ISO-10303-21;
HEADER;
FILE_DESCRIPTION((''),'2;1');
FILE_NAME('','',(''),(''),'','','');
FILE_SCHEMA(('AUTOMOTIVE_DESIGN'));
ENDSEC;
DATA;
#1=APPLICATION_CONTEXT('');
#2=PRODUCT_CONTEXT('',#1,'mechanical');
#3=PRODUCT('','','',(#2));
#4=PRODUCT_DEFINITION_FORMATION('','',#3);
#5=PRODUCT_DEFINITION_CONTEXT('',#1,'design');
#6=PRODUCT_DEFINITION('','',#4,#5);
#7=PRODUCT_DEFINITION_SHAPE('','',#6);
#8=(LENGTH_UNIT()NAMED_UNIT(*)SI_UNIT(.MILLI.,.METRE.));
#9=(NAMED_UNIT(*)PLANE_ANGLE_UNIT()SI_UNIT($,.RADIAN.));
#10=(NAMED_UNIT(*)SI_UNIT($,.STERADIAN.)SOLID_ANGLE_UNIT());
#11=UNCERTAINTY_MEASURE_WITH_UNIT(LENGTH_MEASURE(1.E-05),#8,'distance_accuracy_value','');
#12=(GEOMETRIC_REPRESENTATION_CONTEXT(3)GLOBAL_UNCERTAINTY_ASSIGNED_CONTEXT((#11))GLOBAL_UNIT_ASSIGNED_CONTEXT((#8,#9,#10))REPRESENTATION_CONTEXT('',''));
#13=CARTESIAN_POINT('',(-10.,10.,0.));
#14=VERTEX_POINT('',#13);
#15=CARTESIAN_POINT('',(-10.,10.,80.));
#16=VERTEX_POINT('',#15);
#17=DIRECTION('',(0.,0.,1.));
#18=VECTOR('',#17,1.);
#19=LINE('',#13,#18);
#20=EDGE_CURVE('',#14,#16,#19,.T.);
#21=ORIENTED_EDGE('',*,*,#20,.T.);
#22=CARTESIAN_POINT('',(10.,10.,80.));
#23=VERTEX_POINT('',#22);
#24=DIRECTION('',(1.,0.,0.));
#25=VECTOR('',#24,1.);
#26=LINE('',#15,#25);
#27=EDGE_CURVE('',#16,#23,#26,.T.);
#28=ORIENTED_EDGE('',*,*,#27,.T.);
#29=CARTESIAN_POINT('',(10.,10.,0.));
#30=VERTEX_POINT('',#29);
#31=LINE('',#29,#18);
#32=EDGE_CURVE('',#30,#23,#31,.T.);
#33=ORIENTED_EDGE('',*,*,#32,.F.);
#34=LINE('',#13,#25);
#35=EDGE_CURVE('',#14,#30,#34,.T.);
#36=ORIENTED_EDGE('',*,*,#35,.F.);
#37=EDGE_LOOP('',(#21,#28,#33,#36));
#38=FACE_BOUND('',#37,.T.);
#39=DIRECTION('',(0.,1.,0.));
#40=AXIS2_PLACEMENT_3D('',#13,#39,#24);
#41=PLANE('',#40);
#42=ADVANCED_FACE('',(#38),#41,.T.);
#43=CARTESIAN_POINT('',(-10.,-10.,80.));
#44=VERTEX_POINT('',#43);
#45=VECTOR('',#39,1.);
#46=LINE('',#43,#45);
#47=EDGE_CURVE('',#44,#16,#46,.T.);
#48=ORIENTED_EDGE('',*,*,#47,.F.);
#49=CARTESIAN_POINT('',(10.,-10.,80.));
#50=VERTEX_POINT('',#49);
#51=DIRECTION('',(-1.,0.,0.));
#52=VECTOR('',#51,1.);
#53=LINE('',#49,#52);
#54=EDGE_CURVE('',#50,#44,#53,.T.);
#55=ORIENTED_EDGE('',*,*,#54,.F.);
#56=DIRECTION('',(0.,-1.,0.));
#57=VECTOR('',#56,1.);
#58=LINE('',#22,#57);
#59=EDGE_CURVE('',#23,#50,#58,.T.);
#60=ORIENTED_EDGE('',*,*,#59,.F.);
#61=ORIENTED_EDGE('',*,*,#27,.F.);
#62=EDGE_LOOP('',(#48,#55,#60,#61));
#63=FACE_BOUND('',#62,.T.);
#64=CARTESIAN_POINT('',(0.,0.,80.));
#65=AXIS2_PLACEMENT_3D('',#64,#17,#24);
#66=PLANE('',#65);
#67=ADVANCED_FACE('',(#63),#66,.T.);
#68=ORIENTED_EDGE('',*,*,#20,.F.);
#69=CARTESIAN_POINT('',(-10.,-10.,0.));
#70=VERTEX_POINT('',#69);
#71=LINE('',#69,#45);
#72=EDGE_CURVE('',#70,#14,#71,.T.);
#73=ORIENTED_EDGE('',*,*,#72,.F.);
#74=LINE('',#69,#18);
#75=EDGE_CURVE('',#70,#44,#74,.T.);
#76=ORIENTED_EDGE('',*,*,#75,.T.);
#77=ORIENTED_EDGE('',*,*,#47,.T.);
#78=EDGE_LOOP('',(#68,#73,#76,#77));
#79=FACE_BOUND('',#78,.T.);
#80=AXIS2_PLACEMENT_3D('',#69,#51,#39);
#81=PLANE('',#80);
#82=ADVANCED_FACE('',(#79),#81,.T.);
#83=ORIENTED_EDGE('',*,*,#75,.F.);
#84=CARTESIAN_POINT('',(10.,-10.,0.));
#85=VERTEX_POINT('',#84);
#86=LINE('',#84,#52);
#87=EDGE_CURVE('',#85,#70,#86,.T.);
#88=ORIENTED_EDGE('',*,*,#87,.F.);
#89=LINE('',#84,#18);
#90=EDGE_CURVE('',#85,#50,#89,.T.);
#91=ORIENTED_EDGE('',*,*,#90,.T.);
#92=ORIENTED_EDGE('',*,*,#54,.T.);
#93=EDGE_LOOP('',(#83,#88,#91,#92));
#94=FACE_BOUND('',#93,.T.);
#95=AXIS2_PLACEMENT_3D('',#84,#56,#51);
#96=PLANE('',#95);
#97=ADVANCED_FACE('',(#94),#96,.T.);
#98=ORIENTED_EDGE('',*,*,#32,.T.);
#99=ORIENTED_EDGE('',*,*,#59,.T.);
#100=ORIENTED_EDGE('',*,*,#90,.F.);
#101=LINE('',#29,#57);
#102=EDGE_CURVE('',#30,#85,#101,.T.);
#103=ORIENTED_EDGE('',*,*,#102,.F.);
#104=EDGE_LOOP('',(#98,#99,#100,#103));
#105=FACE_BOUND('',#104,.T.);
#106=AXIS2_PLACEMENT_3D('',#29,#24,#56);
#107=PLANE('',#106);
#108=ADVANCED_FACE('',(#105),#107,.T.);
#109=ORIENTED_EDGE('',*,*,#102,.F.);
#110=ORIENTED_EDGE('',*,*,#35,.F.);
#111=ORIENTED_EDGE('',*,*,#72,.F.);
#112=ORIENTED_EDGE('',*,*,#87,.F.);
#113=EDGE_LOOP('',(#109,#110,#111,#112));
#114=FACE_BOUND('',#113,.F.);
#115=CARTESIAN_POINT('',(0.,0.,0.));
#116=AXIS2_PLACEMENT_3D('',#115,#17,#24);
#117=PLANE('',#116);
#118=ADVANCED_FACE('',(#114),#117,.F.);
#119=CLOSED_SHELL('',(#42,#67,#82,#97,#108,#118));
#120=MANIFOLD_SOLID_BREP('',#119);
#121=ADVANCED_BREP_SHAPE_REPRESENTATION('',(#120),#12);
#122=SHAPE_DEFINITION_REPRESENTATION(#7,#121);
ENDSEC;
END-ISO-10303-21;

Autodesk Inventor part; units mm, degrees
ref_plane "YZ Plane" through (0, 0, 0) normal (1, 0, 0) x (0, 1, 0)
ref_plane "XZ Plane" through (0, 0, 0) normal (0, 1, 0) x (-1, 0, 0)
ref_plane "XY Plane" through (0, 0, 0) normal (0, 0, 1) x (1, 0, 0)
sketch "草图1" plane through (0, 0, 0) normal (0, 0, 1) x (1, 0, 0)
  line L0 (10, -10) -> (-10, -10)
  line L1 (-10, -10) -> (-10, 10)
  line L2 (-10, 10) -> (10, 10)
  line L3 (10, 10) -> (10, -10)
  line L4 (10, -10) -> (-10, 10) construction
  line L5 (-10, -10) -> (10, 10) construction
  point P0 (0, 0)
  dimension "d0" = 20
  dimension "d1" = 20
extrude "拉伸1" add sketch "草图1" along normal blind 80
properties part number "铝方管2020x60"
